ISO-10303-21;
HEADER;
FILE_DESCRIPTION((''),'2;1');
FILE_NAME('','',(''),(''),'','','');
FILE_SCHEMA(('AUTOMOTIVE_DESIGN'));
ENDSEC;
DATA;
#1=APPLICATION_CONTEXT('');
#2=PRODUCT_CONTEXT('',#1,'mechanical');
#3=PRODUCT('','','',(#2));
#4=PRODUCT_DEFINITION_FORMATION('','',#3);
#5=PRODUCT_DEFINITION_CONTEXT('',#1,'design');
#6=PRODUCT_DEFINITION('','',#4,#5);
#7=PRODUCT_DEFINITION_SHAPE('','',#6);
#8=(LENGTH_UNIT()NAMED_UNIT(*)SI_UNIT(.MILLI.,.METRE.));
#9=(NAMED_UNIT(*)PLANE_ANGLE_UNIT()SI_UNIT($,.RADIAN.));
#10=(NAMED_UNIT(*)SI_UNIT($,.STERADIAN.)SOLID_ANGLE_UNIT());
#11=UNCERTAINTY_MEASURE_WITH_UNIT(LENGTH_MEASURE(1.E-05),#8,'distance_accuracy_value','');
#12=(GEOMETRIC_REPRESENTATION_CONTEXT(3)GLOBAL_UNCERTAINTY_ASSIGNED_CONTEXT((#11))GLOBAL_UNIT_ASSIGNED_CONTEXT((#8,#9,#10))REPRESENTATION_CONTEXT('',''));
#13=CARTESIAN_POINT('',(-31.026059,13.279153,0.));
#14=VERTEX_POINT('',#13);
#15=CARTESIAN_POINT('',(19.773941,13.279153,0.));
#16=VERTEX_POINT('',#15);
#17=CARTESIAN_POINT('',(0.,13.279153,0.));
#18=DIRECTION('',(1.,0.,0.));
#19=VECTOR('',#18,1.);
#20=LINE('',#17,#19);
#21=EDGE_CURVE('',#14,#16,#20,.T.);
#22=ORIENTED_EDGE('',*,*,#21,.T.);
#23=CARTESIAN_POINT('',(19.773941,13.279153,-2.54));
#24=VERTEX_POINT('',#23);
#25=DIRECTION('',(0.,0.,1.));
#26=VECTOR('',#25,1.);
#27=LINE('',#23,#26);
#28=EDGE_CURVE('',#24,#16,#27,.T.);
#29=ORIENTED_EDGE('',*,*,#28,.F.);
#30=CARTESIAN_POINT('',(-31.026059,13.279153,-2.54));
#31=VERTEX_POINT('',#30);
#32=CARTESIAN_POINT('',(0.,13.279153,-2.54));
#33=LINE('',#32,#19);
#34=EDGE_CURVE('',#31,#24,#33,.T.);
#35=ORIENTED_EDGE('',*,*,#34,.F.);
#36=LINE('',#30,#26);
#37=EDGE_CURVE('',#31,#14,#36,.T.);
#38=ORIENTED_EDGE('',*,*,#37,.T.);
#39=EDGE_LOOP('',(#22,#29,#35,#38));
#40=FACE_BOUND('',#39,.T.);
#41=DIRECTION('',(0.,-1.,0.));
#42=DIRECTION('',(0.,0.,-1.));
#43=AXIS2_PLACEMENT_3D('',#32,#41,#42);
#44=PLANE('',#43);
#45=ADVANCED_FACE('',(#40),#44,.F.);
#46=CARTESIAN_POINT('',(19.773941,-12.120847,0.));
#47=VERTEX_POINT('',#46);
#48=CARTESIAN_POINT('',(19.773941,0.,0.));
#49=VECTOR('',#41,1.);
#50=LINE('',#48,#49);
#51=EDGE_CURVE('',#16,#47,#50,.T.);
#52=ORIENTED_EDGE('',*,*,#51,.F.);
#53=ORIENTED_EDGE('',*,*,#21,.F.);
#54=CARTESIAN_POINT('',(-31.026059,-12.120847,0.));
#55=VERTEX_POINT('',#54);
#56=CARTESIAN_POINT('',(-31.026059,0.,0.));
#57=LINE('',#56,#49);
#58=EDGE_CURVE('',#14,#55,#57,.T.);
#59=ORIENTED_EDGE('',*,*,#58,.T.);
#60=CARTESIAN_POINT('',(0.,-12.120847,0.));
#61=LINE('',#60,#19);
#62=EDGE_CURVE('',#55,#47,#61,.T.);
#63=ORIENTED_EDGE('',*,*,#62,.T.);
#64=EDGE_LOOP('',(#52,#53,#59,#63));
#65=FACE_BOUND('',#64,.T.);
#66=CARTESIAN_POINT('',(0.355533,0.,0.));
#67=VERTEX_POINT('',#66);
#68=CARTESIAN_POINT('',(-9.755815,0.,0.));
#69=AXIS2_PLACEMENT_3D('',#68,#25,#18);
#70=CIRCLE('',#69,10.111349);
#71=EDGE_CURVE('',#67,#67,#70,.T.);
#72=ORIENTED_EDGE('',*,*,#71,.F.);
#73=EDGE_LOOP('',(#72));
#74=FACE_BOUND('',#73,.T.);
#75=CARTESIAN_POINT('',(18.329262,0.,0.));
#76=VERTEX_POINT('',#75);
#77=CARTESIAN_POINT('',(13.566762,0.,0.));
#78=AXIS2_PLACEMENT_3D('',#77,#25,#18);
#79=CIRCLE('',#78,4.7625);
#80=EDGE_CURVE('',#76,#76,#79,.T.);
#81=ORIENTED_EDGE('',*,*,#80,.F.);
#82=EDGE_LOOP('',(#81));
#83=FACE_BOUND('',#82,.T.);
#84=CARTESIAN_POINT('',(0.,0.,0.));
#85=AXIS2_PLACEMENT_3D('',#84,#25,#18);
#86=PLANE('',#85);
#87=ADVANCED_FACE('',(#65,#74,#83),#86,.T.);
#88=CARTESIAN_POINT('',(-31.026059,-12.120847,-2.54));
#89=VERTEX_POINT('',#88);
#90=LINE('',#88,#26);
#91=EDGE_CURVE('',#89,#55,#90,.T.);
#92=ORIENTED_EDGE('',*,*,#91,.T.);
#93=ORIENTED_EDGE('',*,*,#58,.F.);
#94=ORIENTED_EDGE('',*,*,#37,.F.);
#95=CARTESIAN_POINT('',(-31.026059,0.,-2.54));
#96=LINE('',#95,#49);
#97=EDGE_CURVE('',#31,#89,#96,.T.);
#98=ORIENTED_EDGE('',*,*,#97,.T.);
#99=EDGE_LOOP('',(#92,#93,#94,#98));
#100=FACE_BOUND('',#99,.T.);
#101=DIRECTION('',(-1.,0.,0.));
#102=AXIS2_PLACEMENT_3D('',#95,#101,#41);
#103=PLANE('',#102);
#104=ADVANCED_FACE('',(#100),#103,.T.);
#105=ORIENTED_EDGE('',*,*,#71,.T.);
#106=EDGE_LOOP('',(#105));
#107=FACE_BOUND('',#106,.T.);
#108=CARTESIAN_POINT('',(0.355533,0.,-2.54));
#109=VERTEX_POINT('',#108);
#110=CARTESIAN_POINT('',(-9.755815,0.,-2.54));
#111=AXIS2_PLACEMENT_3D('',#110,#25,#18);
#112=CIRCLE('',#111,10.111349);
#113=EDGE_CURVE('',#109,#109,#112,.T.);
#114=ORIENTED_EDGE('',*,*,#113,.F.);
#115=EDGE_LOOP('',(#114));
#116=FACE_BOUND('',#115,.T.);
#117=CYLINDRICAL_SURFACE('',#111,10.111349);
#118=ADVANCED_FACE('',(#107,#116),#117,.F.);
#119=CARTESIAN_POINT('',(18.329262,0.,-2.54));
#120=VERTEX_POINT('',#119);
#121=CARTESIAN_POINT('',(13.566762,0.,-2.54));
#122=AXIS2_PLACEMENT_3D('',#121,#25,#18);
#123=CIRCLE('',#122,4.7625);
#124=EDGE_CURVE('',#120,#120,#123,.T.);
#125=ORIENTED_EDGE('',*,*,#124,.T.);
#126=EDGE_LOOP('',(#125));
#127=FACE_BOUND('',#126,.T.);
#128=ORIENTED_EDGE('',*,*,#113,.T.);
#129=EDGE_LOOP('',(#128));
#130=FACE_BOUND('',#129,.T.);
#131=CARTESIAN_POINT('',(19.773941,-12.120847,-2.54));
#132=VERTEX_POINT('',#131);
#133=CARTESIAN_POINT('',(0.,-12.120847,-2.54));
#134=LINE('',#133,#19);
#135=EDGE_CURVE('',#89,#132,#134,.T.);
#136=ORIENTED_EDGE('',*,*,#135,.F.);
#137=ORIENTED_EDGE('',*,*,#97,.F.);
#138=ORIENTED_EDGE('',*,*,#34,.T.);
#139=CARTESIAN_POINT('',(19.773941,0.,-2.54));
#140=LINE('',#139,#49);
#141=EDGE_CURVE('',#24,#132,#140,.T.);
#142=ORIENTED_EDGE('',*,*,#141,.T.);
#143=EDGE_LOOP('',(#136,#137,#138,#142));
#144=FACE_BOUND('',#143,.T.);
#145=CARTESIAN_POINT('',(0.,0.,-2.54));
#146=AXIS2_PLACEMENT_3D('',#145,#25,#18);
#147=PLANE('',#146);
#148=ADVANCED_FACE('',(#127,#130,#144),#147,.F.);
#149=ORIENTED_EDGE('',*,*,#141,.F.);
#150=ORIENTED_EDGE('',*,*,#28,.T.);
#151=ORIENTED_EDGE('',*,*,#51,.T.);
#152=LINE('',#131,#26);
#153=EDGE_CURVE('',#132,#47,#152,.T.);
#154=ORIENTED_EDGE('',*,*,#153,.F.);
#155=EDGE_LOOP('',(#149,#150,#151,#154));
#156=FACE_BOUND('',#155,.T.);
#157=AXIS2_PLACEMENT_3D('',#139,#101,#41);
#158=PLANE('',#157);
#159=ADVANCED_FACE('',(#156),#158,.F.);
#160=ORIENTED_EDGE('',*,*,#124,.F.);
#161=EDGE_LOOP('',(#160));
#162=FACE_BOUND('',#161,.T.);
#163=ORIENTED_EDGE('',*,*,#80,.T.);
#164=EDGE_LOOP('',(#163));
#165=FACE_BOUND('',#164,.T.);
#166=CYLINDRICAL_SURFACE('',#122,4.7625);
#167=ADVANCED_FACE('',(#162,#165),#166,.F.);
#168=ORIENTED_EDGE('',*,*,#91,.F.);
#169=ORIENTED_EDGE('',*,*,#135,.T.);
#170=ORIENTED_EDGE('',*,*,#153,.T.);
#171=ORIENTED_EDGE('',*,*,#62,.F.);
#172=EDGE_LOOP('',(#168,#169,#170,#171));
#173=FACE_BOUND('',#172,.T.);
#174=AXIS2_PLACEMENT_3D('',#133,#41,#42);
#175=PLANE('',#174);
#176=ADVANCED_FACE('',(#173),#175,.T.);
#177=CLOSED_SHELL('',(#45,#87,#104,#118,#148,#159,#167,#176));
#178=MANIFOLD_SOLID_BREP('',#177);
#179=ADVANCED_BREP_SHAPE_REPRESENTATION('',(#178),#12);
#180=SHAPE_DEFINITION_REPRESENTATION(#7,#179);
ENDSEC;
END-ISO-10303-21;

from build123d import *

# Parameters (mm, degrees)
SKETCH1_W           = 50.8
SKETCH1_H           = 25.4
SKETCH1_R           = 10.11134878
SKETCH1_R_2         = 4.7625
BOSS_EXTRUDE1_DEPTH = 2.54


with BuildPart() as part:
    # Sketch1 → Boss-Extrude1 (new body)
    with BuildSketch(Plane.XY):
        with Locations((-5.626058632, 0.579153094)):
            Rectangle(SKETCH1_W, SKETCH1_H)
        with Locations((-9.75581529, 0)):
            Circle(SKETCH1_R, mode=Mode.SUBTRACT)
        with Locations((13.566761816, 0)):
            Circle(SKETCH1_R_2, mode=Mode.SUBTRACT)
    extrude(amount=-BOSS_EXTRUDE1_DEPTH)


solid = part.part
